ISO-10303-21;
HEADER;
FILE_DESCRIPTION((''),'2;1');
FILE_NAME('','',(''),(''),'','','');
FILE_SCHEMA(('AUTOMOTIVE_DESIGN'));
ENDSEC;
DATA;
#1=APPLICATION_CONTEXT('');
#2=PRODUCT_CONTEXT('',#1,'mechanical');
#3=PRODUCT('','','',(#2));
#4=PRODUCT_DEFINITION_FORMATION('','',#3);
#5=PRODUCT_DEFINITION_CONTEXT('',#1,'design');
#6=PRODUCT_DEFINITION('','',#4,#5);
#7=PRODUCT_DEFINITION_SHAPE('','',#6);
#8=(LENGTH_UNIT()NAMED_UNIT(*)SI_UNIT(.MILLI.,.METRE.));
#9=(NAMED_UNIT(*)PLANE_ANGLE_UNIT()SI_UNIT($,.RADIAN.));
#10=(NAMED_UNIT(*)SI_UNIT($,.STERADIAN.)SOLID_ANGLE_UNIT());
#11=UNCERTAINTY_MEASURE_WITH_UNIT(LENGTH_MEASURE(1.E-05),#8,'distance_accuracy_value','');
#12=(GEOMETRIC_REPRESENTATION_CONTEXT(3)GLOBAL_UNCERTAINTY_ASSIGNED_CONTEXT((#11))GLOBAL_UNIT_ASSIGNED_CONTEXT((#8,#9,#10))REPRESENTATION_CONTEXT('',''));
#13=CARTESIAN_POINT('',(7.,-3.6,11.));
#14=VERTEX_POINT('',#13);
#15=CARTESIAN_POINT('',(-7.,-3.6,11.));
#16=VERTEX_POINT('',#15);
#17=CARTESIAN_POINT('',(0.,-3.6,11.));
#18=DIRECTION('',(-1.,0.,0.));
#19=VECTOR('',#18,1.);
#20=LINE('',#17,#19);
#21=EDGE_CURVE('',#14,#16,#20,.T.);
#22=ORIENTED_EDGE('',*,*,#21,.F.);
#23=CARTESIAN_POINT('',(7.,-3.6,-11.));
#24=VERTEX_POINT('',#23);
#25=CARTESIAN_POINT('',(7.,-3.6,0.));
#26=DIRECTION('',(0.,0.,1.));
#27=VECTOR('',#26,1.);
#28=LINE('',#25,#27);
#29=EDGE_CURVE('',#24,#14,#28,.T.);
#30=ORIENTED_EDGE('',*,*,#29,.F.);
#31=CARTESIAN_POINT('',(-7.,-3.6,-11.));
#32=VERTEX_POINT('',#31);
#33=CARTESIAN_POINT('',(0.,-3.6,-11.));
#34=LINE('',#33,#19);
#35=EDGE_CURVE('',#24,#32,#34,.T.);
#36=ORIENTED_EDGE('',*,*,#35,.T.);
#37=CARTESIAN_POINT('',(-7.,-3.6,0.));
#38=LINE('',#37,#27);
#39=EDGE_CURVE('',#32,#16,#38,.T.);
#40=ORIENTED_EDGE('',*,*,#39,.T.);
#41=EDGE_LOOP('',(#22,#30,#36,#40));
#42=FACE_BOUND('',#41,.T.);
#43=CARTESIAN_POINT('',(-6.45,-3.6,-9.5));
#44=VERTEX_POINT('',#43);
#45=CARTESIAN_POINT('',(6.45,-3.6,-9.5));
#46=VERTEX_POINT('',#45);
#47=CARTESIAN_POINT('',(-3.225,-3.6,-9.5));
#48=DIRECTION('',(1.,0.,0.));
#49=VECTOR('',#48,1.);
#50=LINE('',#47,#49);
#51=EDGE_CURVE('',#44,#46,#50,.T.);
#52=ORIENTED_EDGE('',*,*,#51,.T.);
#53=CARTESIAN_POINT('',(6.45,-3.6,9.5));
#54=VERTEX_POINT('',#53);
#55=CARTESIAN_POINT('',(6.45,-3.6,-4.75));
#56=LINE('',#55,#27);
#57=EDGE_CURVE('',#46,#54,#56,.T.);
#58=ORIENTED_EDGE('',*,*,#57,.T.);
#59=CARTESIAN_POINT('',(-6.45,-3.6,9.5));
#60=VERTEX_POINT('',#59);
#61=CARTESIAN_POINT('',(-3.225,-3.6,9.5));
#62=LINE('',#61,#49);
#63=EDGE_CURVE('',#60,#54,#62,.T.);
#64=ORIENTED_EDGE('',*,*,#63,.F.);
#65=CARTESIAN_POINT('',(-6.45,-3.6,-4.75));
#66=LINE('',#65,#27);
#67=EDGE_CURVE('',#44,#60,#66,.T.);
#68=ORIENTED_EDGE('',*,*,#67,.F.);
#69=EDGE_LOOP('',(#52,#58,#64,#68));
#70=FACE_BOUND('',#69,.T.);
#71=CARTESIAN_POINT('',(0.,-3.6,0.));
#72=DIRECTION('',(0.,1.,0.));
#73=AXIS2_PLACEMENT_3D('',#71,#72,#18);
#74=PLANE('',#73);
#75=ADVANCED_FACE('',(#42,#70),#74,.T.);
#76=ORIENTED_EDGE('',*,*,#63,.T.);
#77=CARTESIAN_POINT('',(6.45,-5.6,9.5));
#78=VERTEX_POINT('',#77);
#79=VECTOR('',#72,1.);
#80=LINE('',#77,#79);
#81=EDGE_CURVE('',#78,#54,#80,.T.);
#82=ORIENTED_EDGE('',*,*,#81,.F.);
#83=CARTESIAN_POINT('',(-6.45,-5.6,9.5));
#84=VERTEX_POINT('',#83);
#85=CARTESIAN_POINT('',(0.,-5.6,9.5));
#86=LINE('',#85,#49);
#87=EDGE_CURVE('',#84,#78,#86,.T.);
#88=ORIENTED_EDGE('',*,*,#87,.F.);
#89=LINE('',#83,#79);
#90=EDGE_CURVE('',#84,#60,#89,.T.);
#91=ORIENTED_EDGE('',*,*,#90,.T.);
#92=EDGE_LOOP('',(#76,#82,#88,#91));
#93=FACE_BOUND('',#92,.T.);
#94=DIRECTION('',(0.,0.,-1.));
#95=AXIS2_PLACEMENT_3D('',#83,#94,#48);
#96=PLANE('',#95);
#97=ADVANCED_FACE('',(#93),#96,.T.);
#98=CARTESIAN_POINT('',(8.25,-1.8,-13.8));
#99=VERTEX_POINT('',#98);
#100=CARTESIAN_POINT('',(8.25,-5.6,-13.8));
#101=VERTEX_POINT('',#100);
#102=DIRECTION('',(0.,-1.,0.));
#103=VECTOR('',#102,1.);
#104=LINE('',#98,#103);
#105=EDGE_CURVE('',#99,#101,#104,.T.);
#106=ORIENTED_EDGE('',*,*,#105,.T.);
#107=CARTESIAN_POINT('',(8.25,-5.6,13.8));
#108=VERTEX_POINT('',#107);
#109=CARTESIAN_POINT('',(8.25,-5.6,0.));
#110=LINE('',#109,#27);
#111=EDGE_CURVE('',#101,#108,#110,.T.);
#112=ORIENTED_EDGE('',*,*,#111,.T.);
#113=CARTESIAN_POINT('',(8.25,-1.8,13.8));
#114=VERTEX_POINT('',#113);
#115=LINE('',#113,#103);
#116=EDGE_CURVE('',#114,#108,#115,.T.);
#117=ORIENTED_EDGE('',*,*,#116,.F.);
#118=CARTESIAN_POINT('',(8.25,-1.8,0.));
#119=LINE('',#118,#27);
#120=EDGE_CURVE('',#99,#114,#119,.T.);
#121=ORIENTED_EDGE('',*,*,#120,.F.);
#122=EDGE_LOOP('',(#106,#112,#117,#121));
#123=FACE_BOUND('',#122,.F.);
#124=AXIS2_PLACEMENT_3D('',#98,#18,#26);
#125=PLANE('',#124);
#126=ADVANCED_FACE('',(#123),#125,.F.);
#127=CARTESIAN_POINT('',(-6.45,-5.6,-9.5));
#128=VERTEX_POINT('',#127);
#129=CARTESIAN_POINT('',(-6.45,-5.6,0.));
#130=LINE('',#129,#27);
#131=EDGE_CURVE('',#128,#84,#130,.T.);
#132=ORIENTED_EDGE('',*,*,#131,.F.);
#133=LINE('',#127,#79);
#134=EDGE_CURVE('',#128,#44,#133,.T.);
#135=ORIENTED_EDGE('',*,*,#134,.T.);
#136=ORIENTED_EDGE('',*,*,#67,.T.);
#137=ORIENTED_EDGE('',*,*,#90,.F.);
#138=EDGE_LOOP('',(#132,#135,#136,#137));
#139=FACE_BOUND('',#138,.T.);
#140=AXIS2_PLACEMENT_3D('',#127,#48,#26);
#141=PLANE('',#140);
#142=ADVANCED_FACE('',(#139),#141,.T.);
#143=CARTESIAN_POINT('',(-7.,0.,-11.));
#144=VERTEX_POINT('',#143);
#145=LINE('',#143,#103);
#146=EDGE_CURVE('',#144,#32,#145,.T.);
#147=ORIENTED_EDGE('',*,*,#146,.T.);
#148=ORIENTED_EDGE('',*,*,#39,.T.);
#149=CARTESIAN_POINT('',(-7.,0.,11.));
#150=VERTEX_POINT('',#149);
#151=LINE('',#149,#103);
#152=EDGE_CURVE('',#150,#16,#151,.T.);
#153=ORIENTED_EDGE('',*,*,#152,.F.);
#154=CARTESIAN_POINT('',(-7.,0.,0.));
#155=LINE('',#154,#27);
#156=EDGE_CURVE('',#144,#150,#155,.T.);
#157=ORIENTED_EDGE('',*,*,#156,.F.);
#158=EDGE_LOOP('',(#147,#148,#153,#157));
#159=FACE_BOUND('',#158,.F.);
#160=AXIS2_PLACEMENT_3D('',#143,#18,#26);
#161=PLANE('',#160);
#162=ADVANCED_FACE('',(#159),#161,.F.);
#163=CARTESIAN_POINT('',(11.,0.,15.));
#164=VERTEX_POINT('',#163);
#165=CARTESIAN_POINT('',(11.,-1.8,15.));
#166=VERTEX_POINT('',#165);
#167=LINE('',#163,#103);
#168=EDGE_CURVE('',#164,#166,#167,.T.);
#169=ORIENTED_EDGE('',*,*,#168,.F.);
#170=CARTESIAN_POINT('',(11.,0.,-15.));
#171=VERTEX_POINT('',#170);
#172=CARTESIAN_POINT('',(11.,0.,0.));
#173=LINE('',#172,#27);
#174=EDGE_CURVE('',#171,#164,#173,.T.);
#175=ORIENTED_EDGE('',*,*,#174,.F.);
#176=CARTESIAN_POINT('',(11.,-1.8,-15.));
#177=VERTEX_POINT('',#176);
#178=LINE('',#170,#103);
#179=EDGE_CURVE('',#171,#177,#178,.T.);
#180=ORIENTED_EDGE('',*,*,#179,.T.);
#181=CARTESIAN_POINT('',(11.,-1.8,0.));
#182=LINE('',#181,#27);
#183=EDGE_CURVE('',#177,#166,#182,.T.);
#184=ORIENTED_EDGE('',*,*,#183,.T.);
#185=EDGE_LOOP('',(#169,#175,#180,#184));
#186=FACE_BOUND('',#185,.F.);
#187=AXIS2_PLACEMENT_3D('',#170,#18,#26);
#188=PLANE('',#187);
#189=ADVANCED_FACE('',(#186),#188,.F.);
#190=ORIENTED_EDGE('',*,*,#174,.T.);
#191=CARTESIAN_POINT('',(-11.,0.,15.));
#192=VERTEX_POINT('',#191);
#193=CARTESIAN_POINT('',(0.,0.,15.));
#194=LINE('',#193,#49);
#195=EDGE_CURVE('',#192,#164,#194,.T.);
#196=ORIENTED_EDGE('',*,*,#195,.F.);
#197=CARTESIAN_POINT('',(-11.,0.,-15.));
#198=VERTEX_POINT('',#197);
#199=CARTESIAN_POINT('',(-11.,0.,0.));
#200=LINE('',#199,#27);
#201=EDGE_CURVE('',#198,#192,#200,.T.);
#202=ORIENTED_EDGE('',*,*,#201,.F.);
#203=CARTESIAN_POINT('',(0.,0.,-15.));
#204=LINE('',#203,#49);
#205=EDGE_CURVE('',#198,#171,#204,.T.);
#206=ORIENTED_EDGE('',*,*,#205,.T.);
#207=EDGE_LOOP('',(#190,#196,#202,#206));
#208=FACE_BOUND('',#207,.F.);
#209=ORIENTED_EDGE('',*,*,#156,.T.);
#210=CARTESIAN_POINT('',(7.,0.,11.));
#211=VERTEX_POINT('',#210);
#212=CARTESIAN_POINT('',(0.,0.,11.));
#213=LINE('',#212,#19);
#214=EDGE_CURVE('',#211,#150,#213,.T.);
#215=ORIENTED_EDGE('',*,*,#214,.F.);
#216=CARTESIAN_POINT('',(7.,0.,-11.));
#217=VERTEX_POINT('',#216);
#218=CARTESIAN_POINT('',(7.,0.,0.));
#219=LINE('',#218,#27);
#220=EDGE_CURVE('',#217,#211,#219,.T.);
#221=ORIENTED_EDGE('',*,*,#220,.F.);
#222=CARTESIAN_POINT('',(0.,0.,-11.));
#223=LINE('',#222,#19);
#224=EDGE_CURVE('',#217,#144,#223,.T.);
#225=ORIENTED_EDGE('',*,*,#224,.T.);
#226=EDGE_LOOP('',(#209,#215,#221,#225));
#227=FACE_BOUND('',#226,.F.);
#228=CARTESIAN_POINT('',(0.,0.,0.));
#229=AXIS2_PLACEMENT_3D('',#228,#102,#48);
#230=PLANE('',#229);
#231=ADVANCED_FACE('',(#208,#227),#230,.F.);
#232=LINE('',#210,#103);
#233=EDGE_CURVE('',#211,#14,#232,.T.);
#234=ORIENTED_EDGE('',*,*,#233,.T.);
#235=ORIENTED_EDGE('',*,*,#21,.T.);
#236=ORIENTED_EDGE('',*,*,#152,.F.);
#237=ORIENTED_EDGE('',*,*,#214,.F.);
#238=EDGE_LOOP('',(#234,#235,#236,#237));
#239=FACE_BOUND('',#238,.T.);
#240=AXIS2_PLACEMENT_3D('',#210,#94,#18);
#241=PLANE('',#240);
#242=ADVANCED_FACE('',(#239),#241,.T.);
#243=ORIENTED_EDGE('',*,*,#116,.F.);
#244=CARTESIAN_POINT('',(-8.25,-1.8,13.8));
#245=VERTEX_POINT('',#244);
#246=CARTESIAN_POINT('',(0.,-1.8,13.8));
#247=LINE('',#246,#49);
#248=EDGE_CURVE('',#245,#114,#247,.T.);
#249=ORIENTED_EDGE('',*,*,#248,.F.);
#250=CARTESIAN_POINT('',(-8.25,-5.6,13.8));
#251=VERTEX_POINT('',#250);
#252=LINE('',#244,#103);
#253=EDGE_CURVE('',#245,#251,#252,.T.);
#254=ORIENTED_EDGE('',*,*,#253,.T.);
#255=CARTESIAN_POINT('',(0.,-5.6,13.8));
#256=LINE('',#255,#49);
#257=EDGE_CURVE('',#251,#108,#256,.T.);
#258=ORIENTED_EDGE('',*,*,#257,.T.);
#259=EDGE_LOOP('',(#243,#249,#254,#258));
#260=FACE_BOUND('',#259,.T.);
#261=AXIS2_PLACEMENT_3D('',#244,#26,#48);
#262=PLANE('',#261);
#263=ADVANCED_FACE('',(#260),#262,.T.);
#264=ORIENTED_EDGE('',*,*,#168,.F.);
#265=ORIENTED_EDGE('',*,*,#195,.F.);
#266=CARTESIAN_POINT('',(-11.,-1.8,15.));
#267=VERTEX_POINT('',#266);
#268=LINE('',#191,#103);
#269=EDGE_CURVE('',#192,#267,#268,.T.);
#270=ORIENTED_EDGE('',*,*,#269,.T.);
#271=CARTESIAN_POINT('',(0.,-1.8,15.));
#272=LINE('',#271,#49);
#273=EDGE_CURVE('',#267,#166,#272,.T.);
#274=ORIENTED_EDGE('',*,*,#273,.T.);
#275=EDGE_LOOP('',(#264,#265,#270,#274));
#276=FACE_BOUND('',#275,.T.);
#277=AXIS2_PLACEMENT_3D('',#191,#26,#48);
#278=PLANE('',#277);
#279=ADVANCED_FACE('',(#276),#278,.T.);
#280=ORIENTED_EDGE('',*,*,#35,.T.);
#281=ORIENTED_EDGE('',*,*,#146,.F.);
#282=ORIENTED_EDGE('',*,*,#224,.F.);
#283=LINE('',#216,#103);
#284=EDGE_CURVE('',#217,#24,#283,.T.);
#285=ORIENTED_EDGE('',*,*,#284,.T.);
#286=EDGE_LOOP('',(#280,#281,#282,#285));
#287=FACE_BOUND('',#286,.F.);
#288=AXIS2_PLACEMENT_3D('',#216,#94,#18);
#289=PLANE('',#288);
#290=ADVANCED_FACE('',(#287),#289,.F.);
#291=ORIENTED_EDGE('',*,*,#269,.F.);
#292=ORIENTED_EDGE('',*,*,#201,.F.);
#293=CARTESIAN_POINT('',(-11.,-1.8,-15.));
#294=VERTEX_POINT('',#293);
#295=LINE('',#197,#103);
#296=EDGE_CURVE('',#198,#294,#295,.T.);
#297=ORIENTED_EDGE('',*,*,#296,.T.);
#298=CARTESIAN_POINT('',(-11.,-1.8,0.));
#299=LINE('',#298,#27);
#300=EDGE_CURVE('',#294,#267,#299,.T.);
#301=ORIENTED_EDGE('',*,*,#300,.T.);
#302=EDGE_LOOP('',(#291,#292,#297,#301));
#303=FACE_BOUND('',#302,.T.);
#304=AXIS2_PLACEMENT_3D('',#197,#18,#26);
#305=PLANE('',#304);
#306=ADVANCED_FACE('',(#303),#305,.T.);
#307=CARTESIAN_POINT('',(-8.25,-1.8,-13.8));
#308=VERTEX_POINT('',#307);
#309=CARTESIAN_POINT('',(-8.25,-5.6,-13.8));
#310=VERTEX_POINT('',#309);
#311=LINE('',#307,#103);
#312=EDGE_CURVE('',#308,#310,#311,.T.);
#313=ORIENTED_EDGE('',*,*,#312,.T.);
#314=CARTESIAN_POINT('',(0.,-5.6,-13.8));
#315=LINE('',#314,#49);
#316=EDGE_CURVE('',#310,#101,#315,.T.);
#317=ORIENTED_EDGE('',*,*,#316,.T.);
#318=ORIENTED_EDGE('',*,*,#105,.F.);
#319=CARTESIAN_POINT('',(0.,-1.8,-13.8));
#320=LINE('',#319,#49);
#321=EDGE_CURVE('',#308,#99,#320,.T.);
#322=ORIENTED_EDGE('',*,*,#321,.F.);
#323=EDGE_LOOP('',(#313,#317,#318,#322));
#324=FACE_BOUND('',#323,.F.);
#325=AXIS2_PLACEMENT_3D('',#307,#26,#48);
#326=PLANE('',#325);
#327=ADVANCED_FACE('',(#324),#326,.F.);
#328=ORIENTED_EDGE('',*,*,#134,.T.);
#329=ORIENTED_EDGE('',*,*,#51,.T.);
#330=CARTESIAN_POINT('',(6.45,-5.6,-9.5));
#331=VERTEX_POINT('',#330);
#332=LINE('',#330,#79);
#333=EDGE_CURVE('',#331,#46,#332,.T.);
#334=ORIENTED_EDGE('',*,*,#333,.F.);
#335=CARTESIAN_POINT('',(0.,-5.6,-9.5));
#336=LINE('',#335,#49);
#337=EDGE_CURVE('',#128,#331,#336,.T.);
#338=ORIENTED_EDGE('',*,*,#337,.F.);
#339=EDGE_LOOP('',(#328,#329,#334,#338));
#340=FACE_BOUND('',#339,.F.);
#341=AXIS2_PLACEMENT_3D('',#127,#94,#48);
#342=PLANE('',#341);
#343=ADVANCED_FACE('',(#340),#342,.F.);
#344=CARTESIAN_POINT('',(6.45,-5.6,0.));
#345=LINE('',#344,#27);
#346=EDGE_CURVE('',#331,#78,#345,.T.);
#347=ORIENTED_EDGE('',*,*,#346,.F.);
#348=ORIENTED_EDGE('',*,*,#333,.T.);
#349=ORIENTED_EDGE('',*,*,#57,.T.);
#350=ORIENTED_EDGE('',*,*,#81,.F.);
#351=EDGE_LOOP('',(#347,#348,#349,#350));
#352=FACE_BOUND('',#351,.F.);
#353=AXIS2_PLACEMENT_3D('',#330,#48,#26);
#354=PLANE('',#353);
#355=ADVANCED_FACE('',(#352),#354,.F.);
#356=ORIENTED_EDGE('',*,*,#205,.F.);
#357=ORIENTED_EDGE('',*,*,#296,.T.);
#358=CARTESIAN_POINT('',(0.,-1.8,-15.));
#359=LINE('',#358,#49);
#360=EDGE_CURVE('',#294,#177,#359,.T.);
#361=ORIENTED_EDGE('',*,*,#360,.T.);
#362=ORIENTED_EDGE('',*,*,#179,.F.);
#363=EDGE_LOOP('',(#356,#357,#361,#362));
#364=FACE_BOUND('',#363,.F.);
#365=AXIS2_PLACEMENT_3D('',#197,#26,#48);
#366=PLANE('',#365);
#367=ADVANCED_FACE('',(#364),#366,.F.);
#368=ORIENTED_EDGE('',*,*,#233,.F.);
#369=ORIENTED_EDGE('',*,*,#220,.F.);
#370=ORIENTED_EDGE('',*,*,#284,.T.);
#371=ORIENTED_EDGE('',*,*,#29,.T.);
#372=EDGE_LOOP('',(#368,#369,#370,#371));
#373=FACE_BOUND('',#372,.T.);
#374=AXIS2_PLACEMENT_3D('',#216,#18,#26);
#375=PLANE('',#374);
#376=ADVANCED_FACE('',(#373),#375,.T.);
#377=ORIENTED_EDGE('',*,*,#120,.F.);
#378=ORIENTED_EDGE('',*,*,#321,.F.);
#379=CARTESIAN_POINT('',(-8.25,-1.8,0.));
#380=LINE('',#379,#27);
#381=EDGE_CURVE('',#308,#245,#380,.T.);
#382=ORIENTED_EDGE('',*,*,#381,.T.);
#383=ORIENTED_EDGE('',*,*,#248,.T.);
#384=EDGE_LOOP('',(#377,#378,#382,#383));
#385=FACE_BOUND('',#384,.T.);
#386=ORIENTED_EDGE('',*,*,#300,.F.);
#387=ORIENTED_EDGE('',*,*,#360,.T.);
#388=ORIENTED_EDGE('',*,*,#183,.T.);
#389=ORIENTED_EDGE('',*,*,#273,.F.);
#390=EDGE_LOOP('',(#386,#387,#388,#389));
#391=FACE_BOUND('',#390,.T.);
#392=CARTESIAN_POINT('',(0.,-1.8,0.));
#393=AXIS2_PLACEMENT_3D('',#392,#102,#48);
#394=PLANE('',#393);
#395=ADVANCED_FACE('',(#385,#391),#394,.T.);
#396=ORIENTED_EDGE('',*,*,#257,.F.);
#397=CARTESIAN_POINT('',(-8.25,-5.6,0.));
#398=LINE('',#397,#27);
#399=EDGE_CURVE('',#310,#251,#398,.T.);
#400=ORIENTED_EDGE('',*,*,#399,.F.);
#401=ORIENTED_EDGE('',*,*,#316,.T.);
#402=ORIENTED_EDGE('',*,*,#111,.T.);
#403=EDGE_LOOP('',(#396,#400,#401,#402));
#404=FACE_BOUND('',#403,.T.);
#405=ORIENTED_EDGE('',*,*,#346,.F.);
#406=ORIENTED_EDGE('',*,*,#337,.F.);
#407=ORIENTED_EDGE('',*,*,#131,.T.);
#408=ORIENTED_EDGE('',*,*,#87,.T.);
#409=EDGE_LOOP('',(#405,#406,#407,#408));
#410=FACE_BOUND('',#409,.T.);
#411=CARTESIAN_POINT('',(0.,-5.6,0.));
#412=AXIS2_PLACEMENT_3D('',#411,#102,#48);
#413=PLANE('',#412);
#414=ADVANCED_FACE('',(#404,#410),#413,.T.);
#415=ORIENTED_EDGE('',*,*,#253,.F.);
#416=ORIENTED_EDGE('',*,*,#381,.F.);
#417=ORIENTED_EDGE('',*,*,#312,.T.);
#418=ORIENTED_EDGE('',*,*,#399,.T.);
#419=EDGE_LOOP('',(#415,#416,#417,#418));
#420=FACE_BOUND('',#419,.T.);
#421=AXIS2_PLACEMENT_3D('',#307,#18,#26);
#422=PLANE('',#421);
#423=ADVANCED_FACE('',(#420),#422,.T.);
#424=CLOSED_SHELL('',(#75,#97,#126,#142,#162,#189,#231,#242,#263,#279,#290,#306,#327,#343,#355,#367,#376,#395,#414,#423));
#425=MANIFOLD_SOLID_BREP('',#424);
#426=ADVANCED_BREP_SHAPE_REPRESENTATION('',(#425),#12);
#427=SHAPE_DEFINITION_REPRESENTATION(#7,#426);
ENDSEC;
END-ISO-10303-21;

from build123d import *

# Parameters (mm, degrees)
F0_W     = 22
F0_H     = 30
F1_DEPTH = 1.8
F2_W     = 16.5
F2_H     = 27.6
F3_DEPTH = 3.8
F4_W     = 12.9
F4_H     = 19
F5_DEPTH = 25
F6_W     = 14
F6_H     = 22
F7_DEPTH = 3.6


with BuildPart() as f1:
    # F0 (on Front) → F1 (new body)
    with BuildSketch(Plane.XZ):
        Rectangle(F0_W, F0_H)
    extrude(amount=F1_DEPTH)

    # F2 (on face) → F3 (join)
    with BuildSketch(Plane.XZ.offset(1.8)):
        Rectangle(F2_W, F2_H)
    extrude(amount=F3_DEPTH)

    # F4 (on face) → F5 (cut)
    with BuildSketch(Plane.XZ.offset(5.6)):
        Rectangle(F4_W, F4_H)
    extrude(amount=-F5_DEPTH, mode=Mode.SUBTRACT)

    # F6 (on face) → F7 (cut)
    with BuildSketch(Plane(origin=(0, 0, 0), x_dir=(-1, 0, 0), z_dir=(0, 1, 0))):
        Rectangle(F6_W, F6_H)
    extrude(amount=-F7_DEPTH, mode=Mode.SUBTRACT)


solid = f1.part
